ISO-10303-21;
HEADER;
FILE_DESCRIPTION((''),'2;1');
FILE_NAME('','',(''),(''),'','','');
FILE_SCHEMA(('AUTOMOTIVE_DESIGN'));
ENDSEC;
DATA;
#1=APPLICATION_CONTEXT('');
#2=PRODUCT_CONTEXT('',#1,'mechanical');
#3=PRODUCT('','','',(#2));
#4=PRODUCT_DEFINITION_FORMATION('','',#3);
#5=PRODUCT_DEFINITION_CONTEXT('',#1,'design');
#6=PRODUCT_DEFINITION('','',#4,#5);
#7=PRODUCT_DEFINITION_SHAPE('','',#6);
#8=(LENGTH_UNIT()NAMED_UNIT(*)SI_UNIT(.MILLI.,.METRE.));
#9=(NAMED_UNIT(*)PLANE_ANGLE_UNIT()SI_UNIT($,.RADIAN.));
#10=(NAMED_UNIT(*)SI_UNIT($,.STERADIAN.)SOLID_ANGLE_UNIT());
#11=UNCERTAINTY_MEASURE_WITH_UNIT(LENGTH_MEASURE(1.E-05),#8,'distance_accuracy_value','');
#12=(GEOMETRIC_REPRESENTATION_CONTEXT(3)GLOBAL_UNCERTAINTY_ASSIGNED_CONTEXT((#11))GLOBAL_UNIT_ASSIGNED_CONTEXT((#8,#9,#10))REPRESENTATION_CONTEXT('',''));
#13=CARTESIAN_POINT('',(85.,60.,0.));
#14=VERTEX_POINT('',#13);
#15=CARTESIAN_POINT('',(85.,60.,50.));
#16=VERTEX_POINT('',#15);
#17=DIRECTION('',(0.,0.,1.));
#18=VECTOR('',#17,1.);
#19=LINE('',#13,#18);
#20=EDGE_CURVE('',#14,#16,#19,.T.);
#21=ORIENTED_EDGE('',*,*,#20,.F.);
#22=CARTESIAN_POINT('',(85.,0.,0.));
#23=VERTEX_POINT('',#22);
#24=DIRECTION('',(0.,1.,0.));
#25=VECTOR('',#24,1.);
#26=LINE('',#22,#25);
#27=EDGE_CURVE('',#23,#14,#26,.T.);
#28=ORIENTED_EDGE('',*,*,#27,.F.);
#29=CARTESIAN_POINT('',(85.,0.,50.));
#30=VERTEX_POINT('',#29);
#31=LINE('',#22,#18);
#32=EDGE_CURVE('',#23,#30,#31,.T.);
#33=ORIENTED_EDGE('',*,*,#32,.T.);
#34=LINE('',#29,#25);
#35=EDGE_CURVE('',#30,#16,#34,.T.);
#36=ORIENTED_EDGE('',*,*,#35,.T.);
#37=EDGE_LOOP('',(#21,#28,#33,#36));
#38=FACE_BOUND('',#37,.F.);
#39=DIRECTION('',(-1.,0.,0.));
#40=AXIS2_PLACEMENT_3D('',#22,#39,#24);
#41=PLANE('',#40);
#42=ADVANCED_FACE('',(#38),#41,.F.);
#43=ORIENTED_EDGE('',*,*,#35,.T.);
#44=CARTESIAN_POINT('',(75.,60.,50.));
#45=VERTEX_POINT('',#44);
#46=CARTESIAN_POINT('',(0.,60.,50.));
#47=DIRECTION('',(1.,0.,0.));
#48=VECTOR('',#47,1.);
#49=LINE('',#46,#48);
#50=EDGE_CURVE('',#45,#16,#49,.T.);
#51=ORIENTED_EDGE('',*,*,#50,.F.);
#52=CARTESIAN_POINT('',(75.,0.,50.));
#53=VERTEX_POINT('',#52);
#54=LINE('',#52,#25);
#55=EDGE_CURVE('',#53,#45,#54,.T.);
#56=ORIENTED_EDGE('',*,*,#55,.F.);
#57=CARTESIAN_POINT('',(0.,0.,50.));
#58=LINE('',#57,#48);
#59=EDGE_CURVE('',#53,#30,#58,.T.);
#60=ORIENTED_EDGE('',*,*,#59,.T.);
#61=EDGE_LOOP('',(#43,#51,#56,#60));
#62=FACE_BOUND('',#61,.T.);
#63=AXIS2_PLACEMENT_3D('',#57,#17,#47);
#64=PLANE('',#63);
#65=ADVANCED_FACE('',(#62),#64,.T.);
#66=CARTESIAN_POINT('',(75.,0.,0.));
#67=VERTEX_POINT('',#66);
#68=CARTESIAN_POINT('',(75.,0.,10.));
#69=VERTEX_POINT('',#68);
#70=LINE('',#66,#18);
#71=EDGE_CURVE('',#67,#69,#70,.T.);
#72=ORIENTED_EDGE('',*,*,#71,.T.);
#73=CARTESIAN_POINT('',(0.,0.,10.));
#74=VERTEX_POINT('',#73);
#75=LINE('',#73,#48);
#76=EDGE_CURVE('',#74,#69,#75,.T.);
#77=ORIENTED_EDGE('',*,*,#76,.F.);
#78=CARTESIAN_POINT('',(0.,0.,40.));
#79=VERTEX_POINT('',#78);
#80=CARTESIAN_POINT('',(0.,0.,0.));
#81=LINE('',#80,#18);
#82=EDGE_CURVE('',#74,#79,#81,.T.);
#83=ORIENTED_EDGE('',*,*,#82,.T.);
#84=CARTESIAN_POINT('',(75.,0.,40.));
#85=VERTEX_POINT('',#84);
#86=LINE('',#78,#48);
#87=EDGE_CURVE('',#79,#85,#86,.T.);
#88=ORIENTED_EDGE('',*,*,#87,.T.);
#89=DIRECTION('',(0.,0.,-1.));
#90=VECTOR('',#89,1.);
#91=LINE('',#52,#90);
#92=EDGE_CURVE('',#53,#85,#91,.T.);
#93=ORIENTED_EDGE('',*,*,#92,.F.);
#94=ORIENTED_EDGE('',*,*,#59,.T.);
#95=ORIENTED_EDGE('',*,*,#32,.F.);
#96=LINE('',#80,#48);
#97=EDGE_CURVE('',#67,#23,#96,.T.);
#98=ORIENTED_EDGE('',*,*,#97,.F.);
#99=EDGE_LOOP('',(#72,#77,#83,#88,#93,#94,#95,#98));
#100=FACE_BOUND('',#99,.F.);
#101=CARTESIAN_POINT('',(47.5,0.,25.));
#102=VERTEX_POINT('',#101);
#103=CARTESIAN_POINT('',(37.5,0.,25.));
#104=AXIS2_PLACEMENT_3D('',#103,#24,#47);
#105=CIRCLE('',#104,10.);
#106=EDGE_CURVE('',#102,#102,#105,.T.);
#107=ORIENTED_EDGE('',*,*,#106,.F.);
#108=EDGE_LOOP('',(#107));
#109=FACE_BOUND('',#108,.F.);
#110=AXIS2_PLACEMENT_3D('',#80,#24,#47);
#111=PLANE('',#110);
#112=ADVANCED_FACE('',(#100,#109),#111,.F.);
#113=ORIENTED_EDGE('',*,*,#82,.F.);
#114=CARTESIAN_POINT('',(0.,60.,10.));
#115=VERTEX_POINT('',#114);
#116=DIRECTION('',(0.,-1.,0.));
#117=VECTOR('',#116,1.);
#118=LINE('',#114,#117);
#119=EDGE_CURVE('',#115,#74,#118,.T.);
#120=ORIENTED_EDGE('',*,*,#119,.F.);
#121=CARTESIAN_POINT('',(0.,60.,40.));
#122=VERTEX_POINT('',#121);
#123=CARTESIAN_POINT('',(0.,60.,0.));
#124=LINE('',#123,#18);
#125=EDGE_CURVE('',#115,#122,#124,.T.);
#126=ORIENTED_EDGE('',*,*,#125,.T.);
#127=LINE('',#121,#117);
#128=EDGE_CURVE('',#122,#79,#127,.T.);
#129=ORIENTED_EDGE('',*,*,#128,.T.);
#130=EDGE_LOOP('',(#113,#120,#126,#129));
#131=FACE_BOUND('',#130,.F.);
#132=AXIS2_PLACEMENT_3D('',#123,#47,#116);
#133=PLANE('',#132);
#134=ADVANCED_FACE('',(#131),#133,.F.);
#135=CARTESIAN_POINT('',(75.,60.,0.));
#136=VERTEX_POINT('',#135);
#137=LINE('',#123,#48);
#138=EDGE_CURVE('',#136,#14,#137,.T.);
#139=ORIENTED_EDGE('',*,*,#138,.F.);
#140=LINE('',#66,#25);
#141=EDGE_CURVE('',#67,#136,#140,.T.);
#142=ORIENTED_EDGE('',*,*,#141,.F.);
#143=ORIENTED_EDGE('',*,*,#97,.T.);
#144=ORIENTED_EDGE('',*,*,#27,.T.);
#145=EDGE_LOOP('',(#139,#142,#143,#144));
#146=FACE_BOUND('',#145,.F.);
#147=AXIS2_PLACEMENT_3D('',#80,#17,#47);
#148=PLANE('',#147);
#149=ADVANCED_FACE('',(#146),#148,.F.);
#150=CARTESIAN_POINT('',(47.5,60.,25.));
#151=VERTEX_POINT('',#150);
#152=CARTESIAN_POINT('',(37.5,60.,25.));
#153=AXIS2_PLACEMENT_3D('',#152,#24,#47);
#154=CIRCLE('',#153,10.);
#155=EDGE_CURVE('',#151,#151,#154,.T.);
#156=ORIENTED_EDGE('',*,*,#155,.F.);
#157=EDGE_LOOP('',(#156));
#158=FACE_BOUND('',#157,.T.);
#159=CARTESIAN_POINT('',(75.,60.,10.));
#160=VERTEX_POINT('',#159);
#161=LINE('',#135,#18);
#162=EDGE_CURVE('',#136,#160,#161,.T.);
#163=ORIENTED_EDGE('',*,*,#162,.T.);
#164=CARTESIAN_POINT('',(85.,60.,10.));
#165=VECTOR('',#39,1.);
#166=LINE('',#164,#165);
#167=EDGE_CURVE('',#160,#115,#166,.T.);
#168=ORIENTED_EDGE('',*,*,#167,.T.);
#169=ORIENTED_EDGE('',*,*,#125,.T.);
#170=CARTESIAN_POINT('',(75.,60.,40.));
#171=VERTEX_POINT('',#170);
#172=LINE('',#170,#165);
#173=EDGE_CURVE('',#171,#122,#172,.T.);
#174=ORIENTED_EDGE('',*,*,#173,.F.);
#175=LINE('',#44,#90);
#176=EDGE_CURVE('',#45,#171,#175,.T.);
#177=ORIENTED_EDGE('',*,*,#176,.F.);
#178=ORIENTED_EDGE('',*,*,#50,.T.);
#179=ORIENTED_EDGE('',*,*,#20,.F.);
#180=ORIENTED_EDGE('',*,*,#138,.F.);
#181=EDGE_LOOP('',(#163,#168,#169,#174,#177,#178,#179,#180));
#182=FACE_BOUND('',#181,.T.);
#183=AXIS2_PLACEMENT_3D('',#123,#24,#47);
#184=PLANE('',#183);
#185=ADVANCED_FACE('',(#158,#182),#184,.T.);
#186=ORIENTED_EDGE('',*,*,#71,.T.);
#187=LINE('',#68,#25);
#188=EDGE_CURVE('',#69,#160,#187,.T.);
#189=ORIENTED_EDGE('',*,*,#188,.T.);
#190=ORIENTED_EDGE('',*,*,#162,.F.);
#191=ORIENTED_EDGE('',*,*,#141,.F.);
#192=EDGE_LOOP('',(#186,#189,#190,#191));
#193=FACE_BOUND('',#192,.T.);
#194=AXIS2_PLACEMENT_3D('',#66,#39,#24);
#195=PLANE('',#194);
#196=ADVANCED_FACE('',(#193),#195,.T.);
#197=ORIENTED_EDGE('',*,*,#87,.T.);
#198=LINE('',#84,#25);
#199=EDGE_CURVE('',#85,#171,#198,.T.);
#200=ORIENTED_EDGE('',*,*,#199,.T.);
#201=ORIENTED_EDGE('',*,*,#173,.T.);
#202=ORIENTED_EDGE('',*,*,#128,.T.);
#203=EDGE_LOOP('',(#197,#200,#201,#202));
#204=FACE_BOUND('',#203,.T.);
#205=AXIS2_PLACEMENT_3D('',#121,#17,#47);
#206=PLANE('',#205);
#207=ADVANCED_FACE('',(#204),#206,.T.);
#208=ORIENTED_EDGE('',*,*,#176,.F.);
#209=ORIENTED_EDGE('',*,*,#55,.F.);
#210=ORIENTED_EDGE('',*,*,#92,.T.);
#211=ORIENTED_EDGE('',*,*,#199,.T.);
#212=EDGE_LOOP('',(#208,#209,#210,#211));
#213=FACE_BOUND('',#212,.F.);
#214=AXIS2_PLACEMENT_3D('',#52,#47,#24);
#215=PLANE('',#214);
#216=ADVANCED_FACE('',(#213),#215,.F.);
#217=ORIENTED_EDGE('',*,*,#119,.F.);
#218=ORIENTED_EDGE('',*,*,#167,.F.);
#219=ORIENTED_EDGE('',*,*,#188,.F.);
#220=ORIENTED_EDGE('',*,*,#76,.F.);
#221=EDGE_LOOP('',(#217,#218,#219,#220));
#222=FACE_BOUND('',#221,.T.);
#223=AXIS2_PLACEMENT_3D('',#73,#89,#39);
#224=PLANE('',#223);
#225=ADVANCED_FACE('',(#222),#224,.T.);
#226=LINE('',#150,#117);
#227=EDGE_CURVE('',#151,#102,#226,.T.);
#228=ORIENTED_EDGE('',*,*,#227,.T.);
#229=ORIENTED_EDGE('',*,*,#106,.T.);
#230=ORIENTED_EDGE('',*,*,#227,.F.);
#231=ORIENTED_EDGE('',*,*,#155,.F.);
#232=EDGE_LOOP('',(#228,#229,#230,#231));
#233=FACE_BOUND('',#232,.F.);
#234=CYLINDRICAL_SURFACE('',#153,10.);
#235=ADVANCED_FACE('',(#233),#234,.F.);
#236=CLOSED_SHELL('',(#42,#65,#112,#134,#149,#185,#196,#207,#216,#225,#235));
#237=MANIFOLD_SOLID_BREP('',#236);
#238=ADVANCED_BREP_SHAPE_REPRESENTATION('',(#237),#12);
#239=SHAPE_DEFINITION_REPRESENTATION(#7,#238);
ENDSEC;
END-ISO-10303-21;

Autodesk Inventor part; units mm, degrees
ref_plane "YZ Plane" through (0, 0, 0) normal (1, 0, 0) x (0, 1, 0)
ref_plane "XZ Plane" through (0, 0, 0) normal (0, 1, 0) x (-1, 0, 0)
ref_plane "XY Plane" through (0, 0, 0) normal (0, 0, 1) x (1, 0, 0)
sketch "Boceto1" plane through (0, 0, 0) normal (0, 0, 1) x (1, 0, 0)
  line L0 (0, 0) -> (85, 0)
  line L1 (85, 0) -> (85, 60)
  line L2 (0, 60) -> (0, 0)
  line L3 (0, 60) -> (85, 60)
  dimension "d0" = 85
  dimension "d1" = 60
extrude "Extrusión1" add sketch "Boceto1" along normal blind 50
sketch "Boceto3" plane through (0, 0, 50) normal (0, 0, 1) x (1, 0, 0)
  point P0 (0, 0)
ref_plane "Plano de trabajo3" through (0, 60, 50) normal (0, 0, 1) x (1, 0, 0)
sketch "Boceto4" plane through (0, 60, 50) normal (0, 0, 1) x (1, 0, 0)
  line L0 (0, -60) -> (85, -60) projected
  line L1 (0, -60) -> (75, -60)
  line L2 (75, -60) -> (75, 0)
  line L3 (75, 0) -> (0, 0)
  line L4 (0, 0) -> (0, -60) projected
  line L5 (0, 0) -> (0, -60)
  dimension "d7" = 75
  dimension "d8" = 60
extrude "Extrusión2" cut sketch "Boceto4" against normal blind 10
sketch "Boceto5" plane through (0, 0, 0) normal (0, 0, -1) x (-1, 0, 0)
  line L0 (0, 0) -> (-85, 0) projected
  line L1 (0, 0) -> (-75, 0)
  line L2 (-75, 0) -> (-75, 60)
  line L3 (-85, 60) -> (0, 60) projected
  line L4 (-75, 60) -> (0, 60)
  line L5 (0, 60) -> (0, 0) projected
  line L6 (0, 60) -> (0, 0)
  dimension "d11" = 75
  dimension "d12" = 60
extrude "Extrusión3" cut sketch "Boceto5" against normal blind 10
ref_plane "Plano de trabajo5" through (85, 60, 50) normal (0, 1, 0) x (1, 0, 0)
sketch "Boceto6" plane through (85, 60, 50) normal (0, 1, 0) x (1, 0, 0)
  line L0 (-85, 10) -> (-10, 10) projected
  line L1 (-10, 40) -> (-85, 40) projected
  circle A0 centre (-47.5, 25) radius 10
  point P0 (-85, 50)
  dimension "d15" = 20
extrude "Extrusión4" cut sketch "Boceto6" against normal through all
thread "Rosca1" size "M20x2.5" class "6H" standard "ANSI Metric M Profile" full length
properties part number "SoporteHerramienta"
